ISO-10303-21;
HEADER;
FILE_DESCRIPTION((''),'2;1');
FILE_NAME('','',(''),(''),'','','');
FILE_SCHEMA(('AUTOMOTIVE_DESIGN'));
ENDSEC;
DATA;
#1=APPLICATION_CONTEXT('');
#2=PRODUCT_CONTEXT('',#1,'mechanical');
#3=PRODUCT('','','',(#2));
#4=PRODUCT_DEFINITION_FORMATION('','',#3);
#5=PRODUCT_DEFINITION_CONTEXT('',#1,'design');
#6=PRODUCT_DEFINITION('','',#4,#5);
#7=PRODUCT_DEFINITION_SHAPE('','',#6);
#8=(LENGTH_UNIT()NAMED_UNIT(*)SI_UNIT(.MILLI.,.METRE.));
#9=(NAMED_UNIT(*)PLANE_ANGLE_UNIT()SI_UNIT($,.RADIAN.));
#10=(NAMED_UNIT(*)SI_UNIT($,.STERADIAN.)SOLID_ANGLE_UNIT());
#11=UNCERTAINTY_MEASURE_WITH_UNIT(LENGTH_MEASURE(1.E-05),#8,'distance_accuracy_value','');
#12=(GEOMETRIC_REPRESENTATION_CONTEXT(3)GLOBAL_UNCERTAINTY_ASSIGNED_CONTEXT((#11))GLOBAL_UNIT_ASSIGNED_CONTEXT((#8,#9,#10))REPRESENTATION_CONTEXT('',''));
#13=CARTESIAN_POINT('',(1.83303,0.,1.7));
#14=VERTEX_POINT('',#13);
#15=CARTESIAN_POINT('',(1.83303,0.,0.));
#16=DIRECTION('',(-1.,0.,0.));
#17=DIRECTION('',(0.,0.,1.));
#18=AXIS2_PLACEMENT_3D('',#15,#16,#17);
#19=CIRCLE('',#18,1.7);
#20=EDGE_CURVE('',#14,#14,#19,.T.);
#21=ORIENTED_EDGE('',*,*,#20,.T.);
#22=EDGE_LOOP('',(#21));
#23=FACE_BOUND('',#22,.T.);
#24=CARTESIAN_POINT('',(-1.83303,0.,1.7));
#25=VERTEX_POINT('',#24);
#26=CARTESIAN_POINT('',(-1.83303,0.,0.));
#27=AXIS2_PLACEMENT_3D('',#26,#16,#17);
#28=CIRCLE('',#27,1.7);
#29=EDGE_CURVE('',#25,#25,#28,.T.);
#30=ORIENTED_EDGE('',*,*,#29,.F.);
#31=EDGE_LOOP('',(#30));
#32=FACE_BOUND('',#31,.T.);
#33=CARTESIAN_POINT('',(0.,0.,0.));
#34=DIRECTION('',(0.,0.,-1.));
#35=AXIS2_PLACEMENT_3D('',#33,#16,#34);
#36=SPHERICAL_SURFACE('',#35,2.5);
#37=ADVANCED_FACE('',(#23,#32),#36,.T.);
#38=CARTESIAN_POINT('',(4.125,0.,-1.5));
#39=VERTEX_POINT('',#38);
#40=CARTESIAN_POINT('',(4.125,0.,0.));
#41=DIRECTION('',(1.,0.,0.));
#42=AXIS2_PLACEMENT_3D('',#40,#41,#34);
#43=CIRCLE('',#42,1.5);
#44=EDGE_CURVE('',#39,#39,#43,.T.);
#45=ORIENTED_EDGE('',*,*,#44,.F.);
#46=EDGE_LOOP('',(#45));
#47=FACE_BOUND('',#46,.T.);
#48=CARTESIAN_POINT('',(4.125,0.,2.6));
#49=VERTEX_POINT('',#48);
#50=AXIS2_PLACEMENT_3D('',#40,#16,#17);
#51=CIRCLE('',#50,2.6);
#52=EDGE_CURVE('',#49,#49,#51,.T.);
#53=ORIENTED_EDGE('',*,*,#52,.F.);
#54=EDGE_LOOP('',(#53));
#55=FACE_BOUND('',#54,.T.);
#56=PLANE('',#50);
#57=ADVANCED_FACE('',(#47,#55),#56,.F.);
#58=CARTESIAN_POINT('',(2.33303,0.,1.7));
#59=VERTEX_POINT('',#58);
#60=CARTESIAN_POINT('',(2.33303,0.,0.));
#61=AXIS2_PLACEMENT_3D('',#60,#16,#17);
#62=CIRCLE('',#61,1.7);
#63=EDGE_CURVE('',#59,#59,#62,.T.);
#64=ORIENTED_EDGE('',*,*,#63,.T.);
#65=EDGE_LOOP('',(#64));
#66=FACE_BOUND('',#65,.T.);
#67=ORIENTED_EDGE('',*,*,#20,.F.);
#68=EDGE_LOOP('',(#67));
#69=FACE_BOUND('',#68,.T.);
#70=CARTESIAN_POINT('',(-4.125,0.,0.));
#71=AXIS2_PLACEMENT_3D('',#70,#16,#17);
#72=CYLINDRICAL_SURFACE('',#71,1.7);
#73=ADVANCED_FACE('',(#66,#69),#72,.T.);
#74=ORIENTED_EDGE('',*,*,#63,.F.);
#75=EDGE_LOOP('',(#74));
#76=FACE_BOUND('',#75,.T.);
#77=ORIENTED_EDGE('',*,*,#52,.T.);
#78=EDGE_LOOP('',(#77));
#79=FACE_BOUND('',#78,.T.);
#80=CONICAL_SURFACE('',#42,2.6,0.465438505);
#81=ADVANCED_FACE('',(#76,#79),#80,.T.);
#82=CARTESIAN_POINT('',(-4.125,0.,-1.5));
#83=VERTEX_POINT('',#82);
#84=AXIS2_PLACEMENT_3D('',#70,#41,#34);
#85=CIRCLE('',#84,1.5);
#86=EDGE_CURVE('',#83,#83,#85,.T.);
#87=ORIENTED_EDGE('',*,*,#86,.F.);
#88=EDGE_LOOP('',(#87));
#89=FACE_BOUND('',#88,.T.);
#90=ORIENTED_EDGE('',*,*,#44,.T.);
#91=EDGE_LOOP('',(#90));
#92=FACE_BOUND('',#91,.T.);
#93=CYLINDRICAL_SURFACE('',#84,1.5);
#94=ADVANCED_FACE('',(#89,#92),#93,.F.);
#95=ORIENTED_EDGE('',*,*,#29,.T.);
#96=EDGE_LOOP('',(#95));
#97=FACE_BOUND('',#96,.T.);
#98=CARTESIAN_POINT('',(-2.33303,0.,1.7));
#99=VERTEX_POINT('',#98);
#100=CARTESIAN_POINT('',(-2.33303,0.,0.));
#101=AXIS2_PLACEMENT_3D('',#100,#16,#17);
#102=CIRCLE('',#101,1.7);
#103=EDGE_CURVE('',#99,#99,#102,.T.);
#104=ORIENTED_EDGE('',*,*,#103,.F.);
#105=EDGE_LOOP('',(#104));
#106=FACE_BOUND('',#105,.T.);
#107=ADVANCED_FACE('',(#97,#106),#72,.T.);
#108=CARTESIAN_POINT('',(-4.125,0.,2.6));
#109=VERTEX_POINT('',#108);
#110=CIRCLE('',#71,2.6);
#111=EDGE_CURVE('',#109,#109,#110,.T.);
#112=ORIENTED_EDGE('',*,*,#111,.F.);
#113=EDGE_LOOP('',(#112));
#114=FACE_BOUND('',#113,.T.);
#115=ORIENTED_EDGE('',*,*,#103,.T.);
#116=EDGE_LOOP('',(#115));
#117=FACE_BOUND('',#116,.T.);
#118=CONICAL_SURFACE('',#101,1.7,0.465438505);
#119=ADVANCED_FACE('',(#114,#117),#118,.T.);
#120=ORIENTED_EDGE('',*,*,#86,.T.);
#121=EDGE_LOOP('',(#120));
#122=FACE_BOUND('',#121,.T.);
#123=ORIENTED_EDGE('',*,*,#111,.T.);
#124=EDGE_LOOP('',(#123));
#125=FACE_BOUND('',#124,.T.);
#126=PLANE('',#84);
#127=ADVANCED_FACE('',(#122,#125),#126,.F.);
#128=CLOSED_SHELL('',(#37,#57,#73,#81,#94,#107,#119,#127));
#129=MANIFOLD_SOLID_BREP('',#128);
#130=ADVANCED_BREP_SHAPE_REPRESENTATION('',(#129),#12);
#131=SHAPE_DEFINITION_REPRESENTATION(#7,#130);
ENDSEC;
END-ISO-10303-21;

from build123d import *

# Parameters (mm, degrees)
SKETCH2_R          = 1.5
CUT_EXTRUDE1_DEPTH = 9.25


with BuildPart() as part:
    # Sketch1 → Revolve1 (revolve)
    with BuildSketch(Plane(origin=(0, 0, 0), x_dir=(1, 0, 0), z_dir=(0, 1, 0))):
        with BuildLine():
            Line((-4.125, 0), (4.125, 0))
            Line((4.125, 0), (4.125, 2.6))
            Line((4.125, 2.6), (2.333030278, 1.7))
            Line((2.333030278, 1.7), (1.833030278, 1.7))
            ThreePointArc((1.833030278, 1.7), (0, 2.5), (-1.833030278, 1.7))
            Line((-1.833030278, 1.7), (-2.333030278, 1.7))
            Line((-2.333030278, 1.7), (-4.125, 2.6))
            Line((-4.125, 2.6), (-4.125, 0))
        make_face()
    revolve(axis=Axis((-4.125, 0, 0), (1, 0, 0)))

    # Sketch2 → Cut-Extrude1 (cut, through all)
    with BuildSketch(Plane(origin=(4.125, 0, 0), x_dir=(0, 0, -1), z_dir=(1, 0, 0))):
        Circle(SKETCH2_R)
    extrude(amount=-CUT_EXTRUDE1_DEPTH, mode=Mode.SUBTRACT)


solid = part.part
